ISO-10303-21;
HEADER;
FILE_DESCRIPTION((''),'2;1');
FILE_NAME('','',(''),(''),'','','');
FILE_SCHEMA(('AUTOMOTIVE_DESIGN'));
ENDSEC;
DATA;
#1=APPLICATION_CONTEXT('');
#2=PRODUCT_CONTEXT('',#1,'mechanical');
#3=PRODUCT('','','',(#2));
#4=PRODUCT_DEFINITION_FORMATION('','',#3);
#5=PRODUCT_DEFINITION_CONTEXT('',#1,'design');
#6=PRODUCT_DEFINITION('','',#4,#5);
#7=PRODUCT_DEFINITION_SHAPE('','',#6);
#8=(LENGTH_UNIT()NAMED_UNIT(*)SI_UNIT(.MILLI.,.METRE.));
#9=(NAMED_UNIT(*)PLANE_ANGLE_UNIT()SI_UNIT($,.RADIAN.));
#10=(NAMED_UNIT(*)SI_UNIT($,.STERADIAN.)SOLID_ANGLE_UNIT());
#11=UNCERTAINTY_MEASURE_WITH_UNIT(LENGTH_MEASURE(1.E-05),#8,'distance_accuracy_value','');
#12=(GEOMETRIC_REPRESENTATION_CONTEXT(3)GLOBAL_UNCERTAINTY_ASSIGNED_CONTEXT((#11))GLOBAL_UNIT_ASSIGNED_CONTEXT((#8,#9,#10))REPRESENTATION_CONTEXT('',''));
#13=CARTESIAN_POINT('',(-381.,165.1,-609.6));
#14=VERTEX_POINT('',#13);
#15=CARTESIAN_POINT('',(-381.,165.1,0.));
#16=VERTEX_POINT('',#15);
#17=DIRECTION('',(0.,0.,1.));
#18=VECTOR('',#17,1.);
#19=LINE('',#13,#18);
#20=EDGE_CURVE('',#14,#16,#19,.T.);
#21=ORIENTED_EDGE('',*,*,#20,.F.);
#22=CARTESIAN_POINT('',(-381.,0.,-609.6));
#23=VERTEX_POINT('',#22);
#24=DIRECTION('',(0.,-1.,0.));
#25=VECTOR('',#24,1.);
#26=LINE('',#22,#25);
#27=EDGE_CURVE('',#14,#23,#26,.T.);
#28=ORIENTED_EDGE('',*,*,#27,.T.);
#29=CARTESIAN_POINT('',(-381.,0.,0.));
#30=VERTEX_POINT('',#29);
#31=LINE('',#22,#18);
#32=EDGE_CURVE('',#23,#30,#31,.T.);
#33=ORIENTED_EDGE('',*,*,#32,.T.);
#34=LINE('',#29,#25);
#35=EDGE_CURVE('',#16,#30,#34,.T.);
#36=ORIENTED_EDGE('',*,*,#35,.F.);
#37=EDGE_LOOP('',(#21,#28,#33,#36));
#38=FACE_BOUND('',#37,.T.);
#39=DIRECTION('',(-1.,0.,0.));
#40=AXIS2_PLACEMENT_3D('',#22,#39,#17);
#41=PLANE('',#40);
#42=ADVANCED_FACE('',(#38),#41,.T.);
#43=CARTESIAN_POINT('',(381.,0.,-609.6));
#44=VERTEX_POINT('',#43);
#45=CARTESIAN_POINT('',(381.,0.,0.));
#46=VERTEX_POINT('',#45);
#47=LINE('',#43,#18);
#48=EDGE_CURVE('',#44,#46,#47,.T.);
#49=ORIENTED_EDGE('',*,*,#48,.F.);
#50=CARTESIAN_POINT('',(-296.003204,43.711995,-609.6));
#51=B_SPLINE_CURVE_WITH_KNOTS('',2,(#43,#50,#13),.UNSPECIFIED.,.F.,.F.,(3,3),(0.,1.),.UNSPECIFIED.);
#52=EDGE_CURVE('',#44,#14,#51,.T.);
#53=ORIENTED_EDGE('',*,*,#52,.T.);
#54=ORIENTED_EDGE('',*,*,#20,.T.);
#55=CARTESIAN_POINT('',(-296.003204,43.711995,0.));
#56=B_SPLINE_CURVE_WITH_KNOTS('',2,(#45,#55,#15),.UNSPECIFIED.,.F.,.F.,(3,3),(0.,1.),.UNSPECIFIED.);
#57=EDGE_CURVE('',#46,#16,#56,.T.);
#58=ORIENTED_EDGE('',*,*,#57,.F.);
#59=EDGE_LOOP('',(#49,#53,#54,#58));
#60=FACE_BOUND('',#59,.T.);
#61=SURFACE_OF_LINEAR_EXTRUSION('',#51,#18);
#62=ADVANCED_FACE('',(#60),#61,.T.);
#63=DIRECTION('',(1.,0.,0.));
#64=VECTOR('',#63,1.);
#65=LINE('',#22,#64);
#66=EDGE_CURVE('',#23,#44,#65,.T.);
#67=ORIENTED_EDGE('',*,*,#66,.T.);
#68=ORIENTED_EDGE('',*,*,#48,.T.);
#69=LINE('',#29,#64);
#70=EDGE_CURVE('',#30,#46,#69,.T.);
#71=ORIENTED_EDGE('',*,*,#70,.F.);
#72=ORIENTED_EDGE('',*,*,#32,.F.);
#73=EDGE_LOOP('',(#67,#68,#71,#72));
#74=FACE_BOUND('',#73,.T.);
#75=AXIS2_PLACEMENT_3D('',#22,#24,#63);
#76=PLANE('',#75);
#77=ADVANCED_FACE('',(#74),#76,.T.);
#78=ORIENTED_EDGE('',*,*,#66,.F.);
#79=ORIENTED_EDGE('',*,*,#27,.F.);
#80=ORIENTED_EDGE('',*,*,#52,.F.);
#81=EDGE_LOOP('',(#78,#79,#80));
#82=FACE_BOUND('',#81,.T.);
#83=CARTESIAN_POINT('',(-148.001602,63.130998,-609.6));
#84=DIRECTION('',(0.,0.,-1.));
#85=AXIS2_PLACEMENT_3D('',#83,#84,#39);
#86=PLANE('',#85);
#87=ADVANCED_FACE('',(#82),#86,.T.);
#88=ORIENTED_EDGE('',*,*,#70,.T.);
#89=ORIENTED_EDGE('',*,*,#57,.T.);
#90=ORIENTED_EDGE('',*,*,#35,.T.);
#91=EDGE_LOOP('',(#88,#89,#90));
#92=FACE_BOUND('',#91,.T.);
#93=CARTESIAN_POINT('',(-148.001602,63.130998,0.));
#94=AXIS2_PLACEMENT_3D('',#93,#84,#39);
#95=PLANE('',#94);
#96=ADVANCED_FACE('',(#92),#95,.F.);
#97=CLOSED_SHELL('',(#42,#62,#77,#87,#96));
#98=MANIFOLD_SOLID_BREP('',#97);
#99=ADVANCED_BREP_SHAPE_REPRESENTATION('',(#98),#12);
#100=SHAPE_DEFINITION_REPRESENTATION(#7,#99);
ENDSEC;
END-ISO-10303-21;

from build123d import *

# Parameters (mm, degrees)
BOSS_EXTRUDE1_DEPTH = 609.6


with BuildPart() as part:
    # Sketch1 → Boss-Extrude1 (new body)
    with BuildSketch(Plane.XY):
        with BuildLine():
            Line((-381, 0), (381, 0))
            add(Edge.make_bspline(
                [(-381, 165.1), (-296.003203858, 43.711995011), (381, 0)],
                knots=[0, 0, 0, 1, 1, 1], degree=2))
            Line((-381, 165.1), (-381, 0))
        make_face()
    extrude(amount=-BOSS_EXTRUDE1_DEPTH)


solid = part.part
